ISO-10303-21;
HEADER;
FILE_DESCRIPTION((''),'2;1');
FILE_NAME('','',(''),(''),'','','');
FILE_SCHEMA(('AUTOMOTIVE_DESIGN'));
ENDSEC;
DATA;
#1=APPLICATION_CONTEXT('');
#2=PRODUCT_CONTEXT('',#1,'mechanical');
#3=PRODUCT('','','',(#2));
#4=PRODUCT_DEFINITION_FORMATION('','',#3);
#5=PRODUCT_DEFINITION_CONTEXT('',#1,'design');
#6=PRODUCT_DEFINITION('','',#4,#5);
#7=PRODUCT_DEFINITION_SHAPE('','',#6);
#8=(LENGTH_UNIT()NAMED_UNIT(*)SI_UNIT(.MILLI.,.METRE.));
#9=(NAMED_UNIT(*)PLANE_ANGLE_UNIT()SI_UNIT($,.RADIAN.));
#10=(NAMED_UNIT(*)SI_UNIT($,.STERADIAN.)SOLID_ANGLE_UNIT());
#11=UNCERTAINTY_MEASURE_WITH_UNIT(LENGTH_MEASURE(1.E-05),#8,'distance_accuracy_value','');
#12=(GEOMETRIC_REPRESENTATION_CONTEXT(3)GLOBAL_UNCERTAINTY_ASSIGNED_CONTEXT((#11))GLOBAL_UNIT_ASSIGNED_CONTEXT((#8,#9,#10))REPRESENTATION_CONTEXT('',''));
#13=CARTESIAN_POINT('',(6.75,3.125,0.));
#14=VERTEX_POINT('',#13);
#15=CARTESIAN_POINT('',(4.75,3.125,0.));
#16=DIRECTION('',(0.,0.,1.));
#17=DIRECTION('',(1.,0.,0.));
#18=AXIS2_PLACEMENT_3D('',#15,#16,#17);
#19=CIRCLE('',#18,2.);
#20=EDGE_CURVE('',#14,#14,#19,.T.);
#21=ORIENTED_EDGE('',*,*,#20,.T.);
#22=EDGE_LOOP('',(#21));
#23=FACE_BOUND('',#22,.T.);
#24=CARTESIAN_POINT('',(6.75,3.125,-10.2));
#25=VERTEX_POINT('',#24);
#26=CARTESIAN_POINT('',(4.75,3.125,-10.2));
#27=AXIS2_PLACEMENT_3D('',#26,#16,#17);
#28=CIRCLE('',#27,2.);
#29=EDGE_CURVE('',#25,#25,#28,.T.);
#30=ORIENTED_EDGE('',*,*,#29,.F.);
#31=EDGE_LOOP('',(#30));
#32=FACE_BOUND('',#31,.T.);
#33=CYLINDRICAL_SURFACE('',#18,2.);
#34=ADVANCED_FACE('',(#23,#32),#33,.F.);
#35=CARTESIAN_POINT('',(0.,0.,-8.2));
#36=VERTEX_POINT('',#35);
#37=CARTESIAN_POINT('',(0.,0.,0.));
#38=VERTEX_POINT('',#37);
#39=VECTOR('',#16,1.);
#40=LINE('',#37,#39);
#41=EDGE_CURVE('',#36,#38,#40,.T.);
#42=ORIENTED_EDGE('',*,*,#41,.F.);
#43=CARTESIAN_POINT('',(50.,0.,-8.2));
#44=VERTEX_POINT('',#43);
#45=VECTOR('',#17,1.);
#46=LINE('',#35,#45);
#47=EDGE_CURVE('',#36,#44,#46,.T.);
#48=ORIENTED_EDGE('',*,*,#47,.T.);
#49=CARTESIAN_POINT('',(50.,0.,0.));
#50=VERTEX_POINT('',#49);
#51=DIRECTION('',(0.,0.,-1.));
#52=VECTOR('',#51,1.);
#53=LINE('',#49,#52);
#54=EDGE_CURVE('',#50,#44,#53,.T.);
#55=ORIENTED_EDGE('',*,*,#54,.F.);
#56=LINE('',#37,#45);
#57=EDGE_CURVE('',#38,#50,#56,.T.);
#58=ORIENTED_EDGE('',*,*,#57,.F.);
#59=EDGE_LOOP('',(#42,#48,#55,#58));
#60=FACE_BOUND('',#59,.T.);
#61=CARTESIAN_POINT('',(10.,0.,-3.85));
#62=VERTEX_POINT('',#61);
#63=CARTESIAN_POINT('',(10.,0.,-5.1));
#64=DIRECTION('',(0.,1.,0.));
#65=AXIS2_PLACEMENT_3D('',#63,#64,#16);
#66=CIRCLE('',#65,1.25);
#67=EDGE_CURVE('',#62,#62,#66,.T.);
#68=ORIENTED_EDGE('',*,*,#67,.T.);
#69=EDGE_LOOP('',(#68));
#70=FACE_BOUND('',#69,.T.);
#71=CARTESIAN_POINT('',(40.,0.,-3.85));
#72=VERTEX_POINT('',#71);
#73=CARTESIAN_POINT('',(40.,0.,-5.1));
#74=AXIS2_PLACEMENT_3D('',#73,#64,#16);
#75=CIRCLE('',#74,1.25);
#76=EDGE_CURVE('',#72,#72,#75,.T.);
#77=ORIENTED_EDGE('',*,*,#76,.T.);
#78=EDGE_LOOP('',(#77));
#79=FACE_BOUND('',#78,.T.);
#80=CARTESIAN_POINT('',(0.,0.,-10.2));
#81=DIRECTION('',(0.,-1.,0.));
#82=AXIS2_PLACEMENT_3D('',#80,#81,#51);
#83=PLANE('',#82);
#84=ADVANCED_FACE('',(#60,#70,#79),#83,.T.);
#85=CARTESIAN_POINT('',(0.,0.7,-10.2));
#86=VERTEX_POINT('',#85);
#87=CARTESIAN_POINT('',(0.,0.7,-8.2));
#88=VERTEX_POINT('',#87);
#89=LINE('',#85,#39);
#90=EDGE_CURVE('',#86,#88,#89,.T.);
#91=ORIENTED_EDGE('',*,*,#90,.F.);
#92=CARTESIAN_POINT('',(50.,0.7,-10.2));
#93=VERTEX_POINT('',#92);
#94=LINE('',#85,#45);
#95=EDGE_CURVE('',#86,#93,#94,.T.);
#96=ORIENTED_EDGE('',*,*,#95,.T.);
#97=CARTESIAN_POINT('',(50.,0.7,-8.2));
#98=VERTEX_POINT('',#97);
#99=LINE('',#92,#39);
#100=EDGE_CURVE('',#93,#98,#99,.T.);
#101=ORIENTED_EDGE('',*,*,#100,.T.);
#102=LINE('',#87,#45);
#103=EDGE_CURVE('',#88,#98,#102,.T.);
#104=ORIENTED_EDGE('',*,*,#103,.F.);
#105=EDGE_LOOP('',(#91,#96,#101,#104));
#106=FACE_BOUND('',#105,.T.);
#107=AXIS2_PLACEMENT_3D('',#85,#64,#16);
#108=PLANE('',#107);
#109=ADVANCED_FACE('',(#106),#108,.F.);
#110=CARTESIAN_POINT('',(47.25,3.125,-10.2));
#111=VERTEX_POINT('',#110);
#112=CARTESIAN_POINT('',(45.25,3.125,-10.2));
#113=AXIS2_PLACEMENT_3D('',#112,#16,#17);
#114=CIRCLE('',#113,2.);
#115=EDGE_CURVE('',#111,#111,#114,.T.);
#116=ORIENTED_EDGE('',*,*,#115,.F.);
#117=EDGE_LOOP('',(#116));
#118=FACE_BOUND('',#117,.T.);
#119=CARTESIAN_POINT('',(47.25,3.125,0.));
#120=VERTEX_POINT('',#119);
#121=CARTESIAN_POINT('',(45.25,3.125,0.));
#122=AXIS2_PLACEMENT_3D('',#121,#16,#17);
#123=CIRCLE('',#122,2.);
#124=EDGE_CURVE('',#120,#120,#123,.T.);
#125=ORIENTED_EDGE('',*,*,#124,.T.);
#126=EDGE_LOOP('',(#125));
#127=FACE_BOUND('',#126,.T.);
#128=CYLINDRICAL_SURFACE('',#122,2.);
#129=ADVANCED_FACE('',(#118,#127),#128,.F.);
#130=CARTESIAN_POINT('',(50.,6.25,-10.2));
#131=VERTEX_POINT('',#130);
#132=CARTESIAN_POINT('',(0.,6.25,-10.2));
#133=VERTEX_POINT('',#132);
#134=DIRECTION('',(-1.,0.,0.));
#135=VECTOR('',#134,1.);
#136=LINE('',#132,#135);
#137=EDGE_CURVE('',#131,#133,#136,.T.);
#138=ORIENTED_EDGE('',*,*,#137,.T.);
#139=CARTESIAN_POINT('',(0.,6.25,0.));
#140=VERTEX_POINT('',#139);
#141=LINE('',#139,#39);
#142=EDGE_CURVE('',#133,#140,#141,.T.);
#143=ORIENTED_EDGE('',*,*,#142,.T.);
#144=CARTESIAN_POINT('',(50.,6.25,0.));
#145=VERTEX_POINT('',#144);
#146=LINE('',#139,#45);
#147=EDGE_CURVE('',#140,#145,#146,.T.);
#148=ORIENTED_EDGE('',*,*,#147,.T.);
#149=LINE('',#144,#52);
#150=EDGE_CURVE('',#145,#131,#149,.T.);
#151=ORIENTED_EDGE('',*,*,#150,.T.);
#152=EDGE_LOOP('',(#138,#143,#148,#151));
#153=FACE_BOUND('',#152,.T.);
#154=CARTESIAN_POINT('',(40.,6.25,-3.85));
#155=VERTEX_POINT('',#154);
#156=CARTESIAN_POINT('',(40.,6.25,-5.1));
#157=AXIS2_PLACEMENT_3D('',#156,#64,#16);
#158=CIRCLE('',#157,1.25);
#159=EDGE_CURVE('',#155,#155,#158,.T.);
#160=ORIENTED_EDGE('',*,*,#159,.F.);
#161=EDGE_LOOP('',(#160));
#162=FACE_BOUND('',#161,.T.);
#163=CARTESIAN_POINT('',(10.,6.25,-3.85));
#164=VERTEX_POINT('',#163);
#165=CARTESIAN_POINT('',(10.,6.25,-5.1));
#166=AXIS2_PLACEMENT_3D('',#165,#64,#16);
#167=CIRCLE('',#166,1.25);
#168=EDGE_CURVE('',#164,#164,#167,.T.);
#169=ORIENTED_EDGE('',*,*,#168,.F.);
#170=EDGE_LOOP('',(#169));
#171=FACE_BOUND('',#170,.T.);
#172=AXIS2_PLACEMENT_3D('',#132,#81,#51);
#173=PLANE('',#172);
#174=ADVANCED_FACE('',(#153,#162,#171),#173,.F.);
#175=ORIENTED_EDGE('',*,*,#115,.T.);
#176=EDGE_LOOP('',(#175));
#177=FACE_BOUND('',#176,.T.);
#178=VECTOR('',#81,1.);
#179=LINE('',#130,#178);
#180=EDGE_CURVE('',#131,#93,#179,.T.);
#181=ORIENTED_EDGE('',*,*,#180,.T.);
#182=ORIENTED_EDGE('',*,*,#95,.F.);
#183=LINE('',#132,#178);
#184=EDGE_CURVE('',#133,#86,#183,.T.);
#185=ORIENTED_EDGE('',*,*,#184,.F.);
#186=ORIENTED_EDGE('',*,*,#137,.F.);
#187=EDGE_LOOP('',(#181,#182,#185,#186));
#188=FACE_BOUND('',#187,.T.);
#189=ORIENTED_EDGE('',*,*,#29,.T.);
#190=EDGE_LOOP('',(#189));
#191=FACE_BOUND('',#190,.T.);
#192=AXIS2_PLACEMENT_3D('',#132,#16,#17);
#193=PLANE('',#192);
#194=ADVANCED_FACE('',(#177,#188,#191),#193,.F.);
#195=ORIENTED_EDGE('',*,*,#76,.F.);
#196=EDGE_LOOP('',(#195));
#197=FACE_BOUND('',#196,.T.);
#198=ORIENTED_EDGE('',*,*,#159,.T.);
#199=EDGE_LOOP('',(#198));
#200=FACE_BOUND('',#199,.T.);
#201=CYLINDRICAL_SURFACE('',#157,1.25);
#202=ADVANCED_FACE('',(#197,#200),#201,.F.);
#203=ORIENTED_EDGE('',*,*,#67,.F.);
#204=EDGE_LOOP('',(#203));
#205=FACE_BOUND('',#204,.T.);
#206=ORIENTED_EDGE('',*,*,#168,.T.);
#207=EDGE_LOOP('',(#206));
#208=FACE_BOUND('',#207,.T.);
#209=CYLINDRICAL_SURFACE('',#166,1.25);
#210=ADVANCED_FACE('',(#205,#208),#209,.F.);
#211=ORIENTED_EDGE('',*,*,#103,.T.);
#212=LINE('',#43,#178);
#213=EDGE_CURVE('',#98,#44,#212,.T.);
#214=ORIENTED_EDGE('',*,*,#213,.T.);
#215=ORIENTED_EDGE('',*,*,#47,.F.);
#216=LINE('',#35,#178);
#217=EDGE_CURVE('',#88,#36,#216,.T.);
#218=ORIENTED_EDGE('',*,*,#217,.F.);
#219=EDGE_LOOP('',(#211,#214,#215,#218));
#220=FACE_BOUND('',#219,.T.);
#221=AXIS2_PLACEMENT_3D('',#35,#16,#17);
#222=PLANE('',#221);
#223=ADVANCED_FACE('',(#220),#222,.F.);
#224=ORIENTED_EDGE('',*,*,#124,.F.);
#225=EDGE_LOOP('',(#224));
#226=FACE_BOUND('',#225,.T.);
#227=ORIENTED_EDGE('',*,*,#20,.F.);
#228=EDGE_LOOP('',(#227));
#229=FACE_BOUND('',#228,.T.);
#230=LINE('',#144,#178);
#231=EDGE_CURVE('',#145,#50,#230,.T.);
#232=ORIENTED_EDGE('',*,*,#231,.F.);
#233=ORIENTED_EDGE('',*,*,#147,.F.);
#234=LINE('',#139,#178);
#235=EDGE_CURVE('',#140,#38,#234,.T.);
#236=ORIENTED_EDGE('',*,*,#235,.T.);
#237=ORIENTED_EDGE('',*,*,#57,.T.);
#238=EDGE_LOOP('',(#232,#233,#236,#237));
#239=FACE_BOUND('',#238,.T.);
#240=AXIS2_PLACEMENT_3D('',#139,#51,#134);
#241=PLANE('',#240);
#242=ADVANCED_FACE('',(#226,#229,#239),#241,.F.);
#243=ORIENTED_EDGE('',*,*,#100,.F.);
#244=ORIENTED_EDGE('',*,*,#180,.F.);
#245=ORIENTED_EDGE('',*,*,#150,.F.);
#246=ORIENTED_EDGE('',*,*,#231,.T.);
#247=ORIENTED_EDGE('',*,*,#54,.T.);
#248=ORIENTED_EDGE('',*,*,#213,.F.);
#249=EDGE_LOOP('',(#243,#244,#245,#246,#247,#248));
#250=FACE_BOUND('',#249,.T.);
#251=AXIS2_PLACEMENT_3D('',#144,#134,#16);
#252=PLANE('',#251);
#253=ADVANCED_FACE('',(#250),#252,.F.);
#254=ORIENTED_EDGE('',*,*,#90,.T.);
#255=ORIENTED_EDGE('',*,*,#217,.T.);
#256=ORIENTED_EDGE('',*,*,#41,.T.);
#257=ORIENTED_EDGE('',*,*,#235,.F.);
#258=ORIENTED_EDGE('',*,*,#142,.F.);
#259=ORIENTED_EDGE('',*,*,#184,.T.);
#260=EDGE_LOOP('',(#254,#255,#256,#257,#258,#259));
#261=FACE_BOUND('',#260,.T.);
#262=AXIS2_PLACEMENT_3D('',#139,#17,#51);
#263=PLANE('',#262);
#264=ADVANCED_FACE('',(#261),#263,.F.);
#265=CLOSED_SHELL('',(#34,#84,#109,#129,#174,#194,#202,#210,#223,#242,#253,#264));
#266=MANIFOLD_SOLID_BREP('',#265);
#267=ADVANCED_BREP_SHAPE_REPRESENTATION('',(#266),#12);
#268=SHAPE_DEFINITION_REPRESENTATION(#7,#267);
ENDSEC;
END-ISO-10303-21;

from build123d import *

# Parameters (mm, degrees)
SKETCH1_W                  = 50
SKETCH1_H                  = 10.2
BOSS_EXTRUDE1_DEPTH        = 6.25
F_4_0_4_DIAMETER_HOLE1_D   = 4
F_2_5_2_5_DIAMETER_HOLE1_D = 2.5
SKETCH6_W                  = 2
SKETCH6_H                  = 0.7
CUT_EXTRUDE1_DEPTH         = 51


with BuildPart() as part:
    # Sketch1 → Boss-Extrude1 (new body)
    with BuildSketch(Plane(origin=(0, 0, 0), x_dir=(1, 0, 0), z_dir=(0, 1, 0))):
        with Locations((25, 5.1)):
            Rectangle(SKETCH1_W, SKETCH1_H)
    extrude(amount=BOSS_EXTRUDE1_DEPTH)

    # Ø4.0 (4) Diameter Hole1 (through all)
    with Locations(Plane.XY):
        with Locations((4.75, 3.125), (45.25, 3.125)):
            Hole(F_4_0_4_DIAMETER_HOLE1_D / 2)

    # Ø2.5 (2.5) Diameter Hole1 (through all)
    with Locations(Plane(origin=(0, 6.25, 0), x_dir=(-1, 0, 0), z_dir=(0, 1, 0))):
        with Locations((-10, -5.1), (-40, -5.1)):
            Hole(F_2_5_2_5_DIAMETER_HOLE1_D / 2)

    # Sketch6 → Cut-Extrude1 (cut, through all)
    with BuildSketch(Plane(origin=(50, 0, 0), x_dir=(0, 0, -1), z_dir=(1, 0, 0))):
        with Locations((9.2, 0.35)):
            Rectangle(SKETCH6_W, SKETCH6_H)
    extrude(amount=-CUT_EXTRUDE1_DEPTH, mode=Mode.SUBTRACT)


solid = part.part
